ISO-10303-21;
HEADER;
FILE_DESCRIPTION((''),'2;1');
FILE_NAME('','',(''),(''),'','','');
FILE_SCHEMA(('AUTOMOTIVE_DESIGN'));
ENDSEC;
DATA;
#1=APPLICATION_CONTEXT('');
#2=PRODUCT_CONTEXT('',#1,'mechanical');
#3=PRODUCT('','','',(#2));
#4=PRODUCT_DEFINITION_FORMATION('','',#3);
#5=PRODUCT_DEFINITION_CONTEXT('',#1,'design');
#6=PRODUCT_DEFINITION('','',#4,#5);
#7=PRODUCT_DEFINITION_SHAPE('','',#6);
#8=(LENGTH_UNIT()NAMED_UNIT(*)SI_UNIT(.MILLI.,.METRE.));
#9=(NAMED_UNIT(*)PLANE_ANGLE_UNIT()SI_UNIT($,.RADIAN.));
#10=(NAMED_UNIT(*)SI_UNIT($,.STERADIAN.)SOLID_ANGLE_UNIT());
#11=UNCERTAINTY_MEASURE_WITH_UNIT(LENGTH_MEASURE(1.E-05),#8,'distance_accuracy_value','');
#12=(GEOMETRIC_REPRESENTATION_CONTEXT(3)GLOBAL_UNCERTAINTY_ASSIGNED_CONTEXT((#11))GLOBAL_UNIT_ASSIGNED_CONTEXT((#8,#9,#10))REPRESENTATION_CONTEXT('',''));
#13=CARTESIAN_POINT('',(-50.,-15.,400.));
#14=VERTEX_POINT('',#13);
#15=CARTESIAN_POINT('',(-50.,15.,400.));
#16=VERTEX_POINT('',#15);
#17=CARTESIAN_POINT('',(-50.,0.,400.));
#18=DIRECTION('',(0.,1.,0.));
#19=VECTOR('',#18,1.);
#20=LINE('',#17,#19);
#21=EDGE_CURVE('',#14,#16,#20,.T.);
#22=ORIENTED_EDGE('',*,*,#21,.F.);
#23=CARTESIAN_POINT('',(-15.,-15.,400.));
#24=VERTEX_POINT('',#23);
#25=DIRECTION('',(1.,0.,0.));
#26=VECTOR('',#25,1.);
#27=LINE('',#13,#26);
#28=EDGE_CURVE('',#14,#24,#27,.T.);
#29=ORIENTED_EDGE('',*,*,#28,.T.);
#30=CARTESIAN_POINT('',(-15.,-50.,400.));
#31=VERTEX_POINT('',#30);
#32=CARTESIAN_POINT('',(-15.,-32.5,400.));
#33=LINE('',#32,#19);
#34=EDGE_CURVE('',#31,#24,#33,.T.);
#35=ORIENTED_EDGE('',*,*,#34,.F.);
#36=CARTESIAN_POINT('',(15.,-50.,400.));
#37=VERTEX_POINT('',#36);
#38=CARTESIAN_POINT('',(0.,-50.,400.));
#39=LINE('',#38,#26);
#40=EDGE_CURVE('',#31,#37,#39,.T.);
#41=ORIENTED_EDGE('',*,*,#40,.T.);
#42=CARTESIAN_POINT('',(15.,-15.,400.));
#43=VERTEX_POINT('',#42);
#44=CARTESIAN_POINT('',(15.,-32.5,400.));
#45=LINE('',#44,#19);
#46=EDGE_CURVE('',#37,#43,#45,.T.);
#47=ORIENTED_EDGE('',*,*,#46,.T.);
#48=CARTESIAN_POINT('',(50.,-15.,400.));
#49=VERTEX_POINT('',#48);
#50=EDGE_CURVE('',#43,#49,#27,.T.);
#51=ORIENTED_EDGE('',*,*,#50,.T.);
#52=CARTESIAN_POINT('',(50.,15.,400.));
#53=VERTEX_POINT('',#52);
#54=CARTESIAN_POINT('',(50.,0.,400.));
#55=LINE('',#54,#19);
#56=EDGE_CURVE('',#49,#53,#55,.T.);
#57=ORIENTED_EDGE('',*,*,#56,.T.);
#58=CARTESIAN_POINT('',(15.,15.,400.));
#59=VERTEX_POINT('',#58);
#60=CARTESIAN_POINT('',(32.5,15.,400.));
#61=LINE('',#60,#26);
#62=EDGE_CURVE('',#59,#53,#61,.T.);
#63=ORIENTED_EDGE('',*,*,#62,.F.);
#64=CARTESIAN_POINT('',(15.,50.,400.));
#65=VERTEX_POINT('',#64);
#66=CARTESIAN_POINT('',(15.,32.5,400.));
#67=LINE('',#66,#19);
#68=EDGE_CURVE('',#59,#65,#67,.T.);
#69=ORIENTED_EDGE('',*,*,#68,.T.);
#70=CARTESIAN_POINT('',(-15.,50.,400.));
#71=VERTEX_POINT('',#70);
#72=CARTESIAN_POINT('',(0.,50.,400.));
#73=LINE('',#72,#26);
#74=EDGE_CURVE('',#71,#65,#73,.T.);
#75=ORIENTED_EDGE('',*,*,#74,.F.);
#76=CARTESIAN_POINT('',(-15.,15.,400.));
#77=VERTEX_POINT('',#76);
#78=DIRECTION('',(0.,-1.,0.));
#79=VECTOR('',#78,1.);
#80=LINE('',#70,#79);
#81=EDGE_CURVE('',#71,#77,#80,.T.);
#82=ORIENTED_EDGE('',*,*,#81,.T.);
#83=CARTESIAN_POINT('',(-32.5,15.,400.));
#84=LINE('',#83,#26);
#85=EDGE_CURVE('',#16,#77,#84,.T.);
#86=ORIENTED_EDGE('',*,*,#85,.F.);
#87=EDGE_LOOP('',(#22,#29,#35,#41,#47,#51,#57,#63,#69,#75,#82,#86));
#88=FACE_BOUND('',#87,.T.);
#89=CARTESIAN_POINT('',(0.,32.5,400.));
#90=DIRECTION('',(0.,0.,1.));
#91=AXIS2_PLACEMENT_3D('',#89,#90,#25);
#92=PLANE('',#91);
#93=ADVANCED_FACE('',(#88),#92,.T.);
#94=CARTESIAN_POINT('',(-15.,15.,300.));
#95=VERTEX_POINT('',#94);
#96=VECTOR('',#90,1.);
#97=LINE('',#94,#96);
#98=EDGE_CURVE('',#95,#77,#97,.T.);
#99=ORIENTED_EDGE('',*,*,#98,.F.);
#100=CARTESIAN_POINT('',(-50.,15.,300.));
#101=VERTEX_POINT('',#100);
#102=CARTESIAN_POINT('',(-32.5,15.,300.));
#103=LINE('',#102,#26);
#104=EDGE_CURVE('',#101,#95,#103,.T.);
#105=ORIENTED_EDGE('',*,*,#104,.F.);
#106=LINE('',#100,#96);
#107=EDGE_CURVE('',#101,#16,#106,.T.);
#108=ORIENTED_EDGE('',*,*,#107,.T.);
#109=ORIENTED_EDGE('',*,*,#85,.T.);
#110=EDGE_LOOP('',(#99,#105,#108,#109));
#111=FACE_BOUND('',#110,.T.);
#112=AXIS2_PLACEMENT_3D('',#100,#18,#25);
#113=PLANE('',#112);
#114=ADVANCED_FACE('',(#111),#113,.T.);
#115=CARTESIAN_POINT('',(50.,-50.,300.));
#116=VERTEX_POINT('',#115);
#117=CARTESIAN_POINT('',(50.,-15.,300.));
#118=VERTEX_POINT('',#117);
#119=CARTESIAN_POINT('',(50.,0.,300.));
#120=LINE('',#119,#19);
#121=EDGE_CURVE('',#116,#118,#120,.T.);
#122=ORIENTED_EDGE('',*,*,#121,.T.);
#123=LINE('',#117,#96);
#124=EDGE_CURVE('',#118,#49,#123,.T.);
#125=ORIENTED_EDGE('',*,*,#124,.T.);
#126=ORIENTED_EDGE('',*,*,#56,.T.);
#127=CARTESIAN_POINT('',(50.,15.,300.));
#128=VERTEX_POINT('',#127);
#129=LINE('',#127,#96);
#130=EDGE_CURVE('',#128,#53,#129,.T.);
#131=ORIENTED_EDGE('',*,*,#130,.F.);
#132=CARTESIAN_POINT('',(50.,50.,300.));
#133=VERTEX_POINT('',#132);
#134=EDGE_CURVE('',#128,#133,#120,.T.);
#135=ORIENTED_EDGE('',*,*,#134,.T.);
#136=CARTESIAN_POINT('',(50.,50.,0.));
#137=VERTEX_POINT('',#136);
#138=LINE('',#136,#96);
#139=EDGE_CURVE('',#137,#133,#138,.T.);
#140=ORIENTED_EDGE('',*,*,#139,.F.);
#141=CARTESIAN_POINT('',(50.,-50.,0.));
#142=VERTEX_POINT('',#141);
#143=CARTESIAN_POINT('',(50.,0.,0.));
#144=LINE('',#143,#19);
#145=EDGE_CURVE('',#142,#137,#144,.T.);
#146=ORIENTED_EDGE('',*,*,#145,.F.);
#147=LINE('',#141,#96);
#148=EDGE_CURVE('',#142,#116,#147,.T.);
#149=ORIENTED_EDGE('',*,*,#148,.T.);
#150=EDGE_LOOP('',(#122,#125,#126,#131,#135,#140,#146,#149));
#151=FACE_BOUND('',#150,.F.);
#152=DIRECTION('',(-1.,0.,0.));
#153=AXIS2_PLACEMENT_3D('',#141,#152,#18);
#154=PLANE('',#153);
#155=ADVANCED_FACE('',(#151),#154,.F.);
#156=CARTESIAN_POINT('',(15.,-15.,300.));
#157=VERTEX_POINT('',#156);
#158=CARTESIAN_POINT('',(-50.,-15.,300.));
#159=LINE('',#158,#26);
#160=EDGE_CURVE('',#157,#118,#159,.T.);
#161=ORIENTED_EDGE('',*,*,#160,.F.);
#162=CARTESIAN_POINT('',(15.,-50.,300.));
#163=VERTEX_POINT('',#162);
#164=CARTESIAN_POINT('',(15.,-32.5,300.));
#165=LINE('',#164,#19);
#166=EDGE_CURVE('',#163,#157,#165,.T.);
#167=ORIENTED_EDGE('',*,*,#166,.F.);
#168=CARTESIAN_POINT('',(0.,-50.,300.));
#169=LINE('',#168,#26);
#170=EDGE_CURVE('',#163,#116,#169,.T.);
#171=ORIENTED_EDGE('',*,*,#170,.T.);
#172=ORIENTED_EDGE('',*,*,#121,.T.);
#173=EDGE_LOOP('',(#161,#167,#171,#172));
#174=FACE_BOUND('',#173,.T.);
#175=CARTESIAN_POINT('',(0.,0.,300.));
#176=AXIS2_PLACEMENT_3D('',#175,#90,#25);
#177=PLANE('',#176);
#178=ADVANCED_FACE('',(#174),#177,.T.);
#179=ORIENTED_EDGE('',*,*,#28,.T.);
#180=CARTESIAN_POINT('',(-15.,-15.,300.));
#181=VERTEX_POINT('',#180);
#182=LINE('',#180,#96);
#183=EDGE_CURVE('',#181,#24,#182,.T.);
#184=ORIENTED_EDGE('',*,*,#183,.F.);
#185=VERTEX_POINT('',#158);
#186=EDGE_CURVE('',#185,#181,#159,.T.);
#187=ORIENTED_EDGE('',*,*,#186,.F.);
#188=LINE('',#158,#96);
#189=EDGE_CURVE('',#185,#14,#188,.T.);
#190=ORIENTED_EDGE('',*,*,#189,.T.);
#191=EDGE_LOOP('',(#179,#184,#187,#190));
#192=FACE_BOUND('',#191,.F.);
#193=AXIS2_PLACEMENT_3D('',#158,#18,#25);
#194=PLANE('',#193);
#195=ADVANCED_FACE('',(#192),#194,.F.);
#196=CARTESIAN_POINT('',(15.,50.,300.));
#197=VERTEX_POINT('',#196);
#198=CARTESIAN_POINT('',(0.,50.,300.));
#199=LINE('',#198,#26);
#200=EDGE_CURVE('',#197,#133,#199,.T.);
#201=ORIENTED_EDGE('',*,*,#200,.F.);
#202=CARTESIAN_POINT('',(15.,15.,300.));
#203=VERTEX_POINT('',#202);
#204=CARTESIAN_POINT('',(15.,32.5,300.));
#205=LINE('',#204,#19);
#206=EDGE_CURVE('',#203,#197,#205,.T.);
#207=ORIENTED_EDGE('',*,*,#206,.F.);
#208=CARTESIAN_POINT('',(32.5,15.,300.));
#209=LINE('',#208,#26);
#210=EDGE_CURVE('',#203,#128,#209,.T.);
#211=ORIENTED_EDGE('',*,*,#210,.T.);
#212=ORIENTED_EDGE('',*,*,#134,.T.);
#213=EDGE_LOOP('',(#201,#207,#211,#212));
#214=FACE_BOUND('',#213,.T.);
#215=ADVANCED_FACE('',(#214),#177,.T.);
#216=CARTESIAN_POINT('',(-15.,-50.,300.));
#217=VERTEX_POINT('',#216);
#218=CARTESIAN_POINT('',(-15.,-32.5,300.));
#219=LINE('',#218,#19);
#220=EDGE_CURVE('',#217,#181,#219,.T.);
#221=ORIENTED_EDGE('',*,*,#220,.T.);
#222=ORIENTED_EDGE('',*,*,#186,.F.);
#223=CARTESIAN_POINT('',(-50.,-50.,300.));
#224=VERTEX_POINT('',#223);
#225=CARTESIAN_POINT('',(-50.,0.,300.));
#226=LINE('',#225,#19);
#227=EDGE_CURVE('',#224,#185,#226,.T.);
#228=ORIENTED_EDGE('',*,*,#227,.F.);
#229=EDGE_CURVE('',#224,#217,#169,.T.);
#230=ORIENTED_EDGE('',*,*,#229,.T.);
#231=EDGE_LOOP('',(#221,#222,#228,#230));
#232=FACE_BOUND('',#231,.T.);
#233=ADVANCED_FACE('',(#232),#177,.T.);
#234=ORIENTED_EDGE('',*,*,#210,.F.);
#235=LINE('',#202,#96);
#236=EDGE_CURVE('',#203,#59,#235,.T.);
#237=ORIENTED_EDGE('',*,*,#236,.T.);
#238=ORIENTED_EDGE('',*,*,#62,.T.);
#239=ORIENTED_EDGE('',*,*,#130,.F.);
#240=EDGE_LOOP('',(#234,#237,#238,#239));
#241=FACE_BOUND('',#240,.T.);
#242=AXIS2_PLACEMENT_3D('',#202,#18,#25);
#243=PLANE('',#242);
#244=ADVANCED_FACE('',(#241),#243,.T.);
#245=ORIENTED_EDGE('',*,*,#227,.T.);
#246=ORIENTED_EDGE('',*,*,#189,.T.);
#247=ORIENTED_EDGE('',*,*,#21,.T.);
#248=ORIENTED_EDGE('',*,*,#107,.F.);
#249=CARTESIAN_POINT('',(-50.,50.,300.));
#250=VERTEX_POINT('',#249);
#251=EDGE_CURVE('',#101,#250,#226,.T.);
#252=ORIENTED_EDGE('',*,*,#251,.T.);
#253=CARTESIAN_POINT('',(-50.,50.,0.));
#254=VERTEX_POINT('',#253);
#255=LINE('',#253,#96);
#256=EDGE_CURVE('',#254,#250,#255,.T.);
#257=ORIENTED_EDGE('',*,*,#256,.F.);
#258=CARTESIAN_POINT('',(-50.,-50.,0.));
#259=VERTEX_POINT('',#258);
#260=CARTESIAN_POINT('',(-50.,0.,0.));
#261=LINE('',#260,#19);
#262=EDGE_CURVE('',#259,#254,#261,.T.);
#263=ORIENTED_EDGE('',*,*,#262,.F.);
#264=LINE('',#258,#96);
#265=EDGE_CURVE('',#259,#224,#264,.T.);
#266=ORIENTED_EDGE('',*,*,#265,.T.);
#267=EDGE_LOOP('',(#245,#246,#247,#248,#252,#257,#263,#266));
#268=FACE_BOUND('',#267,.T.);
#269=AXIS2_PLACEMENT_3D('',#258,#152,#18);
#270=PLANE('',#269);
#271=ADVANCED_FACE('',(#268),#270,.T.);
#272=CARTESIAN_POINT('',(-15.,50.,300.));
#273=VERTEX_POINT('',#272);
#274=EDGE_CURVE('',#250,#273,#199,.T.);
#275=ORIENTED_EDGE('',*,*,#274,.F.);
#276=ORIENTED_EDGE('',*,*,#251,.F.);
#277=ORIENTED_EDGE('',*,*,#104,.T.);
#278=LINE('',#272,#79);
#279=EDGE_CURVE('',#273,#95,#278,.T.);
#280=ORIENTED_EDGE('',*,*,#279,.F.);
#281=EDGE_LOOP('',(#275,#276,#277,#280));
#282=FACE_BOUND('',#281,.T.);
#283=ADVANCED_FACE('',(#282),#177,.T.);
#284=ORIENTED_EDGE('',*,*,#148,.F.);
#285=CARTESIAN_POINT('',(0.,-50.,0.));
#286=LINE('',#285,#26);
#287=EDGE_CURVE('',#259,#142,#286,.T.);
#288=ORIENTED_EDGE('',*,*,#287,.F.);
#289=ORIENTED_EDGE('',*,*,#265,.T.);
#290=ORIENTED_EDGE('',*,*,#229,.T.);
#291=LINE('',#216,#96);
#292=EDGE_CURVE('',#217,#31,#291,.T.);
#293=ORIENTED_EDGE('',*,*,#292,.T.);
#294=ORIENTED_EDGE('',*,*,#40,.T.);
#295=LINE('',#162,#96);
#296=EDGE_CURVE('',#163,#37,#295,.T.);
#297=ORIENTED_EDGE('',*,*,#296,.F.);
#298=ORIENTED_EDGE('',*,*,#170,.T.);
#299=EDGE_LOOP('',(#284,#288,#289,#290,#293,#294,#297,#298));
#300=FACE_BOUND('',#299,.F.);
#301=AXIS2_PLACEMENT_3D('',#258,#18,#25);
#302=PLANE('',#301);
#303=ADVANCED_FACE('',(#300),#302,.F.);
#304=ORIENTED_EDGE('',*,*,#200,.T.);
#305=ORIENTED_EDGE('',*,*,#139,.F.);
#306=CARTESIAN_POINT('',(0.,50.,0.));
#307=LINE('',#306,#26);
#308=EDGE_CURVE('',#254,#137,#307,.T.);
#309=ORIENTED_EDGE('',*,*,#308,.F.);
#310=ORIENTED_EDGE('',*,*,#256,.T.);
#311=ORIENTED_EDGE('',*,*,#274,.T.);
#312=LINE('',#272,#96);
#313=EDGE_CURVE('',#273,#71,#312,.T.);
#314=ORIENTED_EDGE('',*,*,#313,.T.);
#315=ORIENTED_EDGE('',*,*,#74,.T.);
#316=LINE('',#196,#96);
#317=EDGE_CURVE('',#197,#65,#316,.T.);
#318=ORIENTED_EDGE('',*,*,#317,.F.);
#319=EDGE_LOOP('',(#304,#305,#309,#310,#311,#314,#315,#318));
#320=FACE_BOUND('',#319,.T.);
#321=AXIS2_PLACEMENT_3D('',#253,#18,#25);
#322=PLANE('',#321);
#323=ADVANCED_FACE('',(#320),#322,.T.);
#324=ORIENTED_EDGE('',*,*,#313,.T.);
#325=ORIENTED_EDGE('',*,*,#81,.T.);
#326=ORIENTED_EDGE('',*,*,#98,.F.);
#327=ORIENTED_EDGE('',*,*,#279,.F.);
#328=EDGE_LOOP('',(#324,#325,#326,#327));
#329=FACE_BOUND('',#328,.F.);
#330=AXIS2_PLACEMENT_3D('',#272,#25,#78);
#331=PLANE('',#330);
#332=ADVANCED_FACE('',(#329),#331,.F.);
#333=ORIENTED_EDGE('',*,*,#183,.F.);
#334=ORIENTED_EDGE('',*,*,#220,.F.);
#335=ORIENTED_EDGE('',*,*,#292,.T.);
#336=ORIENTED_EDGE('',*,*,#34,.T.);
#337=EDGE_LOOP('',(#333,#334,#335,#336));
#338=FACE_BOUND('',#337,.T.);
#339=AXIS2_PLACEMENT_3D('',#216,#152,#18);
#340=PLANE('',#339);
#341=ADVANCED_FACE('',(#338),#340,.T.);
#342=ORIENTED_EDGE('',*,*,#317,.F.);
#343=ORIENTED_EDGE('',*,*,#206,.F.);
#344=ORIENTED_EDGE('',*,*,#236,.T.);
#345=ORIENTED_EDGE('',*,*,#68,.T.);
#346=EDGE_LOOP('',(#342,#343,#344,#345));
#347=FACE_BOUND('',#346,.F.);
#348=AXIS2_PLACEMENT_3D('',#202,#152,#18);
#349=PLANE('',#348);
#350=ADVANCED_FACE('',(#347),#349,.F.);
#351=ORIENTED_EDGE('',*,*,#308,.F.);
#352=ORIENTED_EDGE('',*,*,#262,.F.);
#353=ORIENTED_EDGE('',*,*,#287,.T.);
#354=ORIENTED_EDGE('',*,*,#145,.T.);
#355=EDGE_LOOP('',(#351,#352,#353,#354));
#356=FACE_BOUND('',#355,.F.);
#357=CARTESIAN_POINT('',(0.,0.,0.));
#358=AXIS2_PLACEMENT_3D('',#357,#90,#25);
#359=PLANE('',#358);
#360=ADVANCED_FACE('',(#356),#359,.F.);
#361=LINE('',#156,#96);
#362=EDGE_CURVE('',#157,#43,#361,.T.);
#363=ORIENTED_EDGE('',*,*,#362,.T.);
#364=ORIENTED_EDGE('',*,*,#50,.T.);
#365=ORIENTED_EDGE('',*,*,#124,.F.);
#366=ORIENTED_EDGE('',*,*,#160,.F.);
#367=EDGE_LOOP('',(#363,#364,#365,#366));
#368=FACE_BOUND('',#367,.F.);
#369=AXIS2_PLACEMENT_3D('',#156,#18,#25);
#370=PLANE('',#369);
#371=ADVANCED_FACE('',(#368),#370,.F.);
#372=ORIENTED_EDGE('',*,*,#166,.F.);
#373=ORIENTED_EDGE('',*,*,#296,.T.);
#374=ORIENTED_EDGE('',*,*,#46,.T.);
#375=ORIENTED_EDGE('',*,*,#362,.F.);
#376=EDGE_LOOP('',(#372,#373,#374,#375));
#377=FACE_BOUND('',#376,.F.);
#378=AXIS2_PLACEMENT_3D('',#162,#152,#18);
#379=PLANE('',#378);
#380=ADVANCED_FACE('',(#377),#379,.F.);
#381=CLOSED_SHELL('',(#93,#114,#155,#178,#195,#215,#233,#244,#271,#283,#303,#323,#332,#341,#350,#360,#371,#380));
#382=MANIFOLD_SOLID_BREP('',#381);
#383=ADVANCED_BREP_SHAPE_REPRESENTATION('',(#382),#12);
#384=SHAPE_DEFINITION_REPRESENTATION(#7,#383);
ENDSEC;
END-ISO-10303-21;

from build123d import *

# Parameters (mm, degrees)
F0_W     = 100
F0_H     = 100
F1_DEPTH = 300
F2_W     = 30
F2_H     = 35
F2_W_2   = 35
F2_H_2   = 30
F3_DEPTH = 100


with BuildPart() as f1:
    # F0 (on Top) → F1 (new body)
    with BuildSketch(Plane.XY):
        Rectangle(F0_W, F0_H)
    extrude(amount=F1_DEPTH)

    # F2 (on face) → F3 (join)
    with BuildSketch(Plane.XY.offset(300)):
        with Locations((0, 32.5)):
            Rectangle(F2_W, F2_H)
        with Locations((32.5, 0)):
            Rectangle(F2_W_2, F2_H_2)
        Rectangle(F2_W, F2_H_2)
        with Locations((-32.5, 0)):
            Rectangle(F2_W_2, F2_H_2)
        with Locations((0, -32.5)):
            Rectangle(F2_W, F2_H)
    extrude(amount=F3_DEPTH)


solid = f1.part
